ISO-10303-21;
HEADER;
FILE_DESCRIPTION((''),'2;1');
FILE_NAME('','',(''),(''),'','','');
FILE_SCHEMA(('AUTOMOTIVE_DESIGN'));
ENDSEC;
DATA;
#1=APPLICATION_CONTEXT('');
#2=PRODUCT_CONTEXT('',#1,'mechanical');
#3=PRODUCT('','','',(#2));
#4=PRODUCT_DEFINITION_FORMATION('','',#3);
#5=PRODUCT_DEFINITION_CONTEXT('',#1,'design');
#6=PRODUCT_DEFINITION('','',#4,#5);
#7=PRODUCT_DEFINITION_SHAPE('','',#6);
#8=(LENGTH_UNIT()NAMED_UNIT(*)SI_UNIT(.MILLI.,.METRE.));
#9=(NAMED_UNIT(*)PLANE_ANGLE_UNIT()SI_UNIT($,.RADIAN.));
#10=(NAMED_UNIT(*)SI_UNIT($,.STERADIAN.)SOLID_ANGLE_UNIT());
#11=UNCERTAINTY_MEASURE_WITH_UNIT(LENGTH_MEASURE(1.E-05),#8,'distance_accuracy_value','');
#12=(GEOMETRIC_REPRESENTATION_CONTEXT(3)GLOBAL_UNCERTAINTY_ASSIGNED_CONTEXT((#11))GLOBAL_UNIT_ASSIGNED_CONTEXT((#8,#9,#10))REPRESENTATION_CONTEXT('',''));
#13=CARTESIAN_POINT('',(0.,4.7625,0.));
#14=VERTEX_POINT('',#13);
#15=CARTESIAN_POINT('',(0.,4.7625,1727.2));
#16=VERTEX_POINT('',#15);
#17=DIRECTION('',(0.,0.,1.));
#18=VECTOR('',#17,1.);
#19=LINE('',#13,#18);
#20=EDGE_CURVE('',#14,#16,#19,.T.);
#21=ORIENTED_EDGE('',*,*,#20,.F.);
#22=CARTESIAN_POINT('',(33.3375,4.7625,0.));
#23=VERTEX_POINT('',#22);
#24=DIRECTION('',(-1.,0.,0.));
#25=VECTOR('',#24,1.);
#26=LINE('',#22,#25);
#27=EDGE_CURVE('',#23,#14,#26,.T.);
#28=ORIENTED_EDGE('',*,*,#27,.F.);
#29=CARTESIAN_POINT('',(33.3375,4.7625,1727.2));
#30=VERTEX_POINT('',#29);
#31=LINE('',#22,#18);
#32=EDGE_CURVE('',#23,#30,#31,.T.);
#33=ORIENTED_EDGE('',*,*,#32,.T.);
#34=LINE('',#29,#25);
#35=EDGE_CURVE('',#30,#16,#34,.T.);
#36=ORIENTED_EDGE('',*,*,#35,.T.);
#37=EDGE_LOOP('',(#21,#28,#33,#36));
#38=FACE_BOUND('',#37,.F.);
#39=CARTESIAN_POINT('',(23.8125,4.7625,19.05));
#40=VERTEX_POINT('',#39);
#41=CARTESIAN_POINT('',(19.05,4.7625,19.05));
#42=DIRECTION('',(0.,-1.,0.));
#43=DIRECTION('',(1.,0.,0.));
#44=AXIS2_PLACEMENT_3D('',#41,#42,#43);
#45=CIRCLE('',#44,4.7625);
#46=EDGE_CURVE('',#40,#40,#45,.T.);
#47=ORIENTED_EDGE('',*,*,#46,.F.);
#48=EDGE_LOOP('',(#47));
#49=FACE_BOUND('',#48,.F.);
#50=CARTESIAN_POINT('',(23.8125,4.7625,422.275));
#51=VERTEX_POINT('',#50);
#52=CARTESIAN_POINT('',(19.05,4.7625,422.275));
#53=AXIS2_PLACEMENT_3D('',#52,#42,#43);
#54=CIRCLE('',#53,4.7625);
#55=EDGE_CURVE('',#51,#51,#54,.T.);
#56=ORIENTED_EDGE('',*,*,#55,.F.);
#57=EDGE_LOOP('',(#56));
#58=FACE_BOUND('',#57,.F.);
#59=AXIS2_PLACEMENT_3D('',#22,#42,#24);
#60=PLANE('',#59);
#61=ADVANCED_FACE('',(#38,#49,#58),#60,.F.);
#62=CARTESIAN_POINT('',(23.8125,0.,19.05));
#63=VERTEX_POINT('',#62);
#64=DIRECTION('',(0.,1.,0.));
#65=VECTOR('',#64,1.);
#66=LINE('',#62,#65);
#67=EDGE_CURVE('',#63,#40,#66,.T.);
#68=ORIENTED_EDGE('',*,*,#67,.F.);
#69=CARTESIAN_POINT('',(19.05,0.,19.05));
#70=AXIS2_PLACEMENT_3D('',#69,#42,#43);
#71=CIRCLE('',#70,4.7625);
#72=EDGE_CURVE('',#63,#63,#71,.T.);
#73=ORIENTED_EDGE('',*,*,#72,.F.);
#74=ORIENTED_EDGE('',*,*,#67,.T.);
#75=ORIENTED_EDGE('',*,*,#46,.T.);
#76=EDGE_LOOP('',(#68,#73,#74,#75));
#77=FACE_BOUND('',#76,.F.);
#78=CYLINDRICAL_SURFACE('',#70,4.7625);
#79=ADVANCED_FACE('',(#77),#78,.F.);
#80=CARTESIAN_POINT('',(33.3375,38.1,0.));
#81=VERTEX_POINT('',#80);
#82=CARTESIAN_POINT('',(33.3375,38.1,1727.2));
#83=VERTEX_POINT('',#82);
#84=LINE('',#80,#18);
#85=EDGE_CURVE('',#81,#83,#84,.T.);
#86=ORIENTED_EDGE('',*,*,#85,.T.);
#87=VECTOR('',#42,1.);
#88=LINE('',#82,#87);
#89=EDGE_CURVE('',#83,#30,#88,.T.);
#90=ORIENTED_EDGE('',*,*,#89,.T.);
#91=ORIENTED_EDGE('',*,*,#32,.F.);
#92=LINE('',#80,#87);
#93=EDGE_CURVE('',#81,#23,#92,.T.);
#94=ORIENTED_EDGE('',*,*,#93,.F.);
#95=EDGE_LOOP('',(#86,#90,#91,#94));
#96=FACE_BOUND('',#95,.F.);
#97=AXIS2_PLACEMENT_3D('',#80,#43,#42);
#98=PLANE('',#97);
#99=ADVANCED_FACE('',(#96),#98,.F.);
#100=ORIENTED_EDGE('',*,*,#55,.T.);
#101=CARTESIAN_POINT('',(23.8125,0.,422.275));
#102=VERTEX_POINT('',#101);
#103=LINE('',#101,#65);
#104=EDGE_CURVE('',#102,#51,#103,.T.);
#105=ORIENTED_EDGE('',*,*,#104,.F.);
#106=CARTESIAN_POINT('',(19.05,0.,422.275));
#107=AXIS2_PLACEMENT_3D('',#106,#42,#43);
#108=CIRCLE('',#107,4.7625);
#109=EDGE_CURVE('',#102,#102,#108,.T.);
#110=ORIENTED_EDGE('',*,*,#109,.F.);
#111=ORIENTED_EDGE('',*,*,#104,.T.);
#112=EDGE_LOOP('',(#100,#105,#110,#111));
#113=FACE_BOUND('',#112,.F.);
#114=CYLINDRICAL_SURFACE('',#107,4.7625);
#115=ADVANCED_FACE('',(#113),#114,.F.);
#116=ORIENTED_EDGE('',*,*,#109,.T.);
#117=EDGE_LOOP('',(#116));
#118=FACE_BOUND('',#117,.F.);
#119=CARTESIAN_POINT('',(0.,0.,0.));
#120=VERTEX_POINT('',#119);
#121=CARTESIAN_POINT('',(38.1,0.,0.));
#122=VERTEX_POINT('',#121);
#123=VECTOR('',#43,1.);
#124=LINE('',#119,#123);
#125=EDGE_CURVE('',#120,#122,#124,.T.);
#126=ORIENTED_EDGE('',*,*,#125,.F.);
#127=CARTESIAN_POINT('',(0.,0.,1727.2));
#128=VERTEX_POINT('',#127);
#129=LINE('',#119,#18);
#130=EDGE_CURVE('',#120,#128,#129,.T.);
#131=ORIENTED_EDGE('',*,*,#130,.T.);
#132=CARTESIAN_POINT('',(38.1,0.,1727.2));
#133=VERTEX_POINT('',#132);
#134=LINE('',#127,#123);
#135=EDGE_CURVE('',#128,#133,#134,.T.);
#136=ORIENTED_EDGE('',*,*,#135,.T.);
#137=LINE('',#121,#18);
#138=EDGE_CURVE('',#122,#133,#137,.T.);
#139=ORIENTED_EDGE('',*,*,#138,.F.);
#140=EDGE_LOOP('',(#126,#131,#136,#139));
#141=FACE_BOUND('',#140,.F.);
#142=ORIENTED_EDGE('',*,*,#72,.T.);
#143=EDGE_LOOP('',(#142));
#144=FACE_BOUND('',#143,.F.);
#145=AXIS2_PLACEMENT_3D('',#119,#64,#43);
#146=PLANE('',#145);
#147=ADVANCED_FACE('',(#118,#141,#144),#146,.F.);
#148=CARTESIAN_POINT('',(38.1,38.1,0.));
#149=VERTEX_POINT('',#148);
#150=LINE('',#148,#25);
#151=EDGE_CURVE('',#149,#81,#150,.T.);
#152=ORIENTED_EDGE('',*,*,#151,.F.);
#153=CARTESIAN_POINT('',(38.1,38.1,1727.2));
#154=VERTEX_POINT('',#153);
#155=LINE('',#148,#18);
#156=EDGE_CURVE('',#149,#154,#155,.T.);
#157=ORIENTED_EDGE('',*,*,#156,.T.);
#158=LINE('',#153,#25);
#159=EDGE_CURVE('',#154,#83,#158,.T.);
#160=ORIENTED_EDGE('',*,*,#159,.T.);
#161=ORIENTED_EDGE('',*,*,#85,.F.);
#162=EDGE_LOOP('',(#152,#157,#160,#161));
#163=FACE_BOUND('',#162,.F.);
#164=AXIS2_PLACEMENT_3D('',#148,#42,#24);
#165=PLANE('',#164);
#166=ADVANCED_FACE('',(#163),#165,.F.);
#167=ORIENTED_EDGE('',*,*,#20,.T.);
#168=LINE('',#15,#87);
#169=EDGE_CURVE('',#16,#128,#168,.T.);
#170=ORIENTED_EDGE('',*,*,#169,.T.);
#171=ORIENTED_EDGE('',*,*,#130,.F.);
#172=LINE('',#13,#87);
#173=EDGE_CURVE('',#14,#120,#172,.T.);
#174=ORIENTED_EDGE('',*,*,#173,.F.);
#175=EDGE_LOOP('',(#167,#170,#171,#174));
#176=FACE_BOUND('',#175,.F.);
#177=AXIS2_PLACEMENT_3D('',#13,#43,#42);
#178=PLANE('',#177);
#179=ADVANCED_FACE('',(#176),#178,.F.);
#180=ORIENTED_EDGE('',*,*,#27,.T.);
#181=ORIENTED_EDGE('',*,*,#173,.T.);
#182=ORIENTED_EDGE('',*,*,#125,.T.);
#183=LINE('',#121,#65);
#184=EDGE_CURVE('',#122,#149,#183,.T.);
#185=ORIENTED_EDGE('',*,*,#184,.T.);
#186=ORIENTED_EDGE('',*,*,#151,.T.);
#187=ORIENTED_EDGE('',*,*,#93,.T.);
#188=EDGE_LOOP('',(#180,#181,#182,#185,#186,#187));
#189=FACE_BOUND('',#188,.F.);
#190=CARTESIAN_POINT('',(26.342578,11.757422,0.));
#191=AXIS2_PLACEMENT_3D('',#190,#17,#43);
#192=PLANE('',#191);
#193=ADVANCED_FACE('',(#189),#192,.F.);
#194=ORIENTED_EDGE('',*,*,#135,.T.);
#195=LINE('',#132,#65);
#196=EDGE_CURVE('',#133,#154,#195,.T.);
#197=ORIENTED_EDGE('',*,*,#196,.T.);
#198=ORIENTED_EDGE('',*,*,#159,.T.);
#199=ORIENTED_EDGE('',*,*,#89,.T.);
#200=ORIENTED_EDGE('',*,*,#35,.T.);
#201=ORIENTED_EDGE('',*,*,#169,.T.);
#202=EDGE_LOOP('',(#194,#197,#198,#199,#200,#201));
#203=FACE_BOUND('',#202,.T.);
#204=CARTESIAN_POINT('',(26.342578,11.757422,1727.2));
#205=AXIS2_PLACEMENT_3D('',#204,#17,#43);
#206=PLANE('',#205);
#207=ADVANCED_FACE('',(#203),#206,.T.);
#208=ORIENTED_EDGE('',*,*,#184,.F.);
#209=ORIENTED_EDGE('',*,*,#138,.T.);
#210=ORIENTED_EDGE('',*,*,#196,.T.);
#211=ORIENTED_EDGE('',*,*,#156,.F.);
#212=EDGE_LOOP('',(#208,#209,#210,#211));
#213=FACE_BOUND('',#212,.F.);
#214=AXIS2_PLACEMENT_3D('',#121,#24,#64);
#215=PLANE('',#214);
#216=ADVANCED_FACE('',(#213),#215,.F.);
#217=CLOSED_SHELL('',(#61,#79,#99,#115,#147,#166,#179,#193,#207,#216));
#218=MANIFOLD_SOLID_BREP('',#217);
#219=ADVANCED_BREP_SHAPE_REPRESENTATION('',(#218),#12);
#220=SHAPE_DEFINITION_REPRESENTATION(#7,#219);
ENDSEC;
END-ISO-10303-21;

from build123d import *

# Parameters (mm, degrees)
F1_DEPTH = 1727.2
F2_R     = 4.7625
F3_DEPTH = 38.101
F4_R     = 4.7625
F5_DEPTH = 38.101


with BuildPart() as f1:
    # F0 (on Top) → F1 (new body)
    with BuildSketch(Plane.XY):
        Polygon((0, 4.7625), (0, 0), (38.1, 0), (38.1, 38.1), (33.3375, 38.1), (33.3375, 4.7625), align=None)
    extrude(amount=F1_DEPTH)

    # F2 (on face) → F3 (cut, through all)
    with BuildSketch(Plane.XZ):
        with Locations((19.05, 19.05)):
            Circle(F2_R)
    extrude(amount=-F3_DEPTH, mode=Mode.SUBTRACT)

    # F4 (on face) → F5 (cut, through all)
    with BuildSketch(Plane.XZ):
        with Locations((19.05, 422.275)):
            Circle(F4_R)
    extrude(amount=-F5_DEPTH, mode=Mode.SUBTRACT)


solid = f1.part
